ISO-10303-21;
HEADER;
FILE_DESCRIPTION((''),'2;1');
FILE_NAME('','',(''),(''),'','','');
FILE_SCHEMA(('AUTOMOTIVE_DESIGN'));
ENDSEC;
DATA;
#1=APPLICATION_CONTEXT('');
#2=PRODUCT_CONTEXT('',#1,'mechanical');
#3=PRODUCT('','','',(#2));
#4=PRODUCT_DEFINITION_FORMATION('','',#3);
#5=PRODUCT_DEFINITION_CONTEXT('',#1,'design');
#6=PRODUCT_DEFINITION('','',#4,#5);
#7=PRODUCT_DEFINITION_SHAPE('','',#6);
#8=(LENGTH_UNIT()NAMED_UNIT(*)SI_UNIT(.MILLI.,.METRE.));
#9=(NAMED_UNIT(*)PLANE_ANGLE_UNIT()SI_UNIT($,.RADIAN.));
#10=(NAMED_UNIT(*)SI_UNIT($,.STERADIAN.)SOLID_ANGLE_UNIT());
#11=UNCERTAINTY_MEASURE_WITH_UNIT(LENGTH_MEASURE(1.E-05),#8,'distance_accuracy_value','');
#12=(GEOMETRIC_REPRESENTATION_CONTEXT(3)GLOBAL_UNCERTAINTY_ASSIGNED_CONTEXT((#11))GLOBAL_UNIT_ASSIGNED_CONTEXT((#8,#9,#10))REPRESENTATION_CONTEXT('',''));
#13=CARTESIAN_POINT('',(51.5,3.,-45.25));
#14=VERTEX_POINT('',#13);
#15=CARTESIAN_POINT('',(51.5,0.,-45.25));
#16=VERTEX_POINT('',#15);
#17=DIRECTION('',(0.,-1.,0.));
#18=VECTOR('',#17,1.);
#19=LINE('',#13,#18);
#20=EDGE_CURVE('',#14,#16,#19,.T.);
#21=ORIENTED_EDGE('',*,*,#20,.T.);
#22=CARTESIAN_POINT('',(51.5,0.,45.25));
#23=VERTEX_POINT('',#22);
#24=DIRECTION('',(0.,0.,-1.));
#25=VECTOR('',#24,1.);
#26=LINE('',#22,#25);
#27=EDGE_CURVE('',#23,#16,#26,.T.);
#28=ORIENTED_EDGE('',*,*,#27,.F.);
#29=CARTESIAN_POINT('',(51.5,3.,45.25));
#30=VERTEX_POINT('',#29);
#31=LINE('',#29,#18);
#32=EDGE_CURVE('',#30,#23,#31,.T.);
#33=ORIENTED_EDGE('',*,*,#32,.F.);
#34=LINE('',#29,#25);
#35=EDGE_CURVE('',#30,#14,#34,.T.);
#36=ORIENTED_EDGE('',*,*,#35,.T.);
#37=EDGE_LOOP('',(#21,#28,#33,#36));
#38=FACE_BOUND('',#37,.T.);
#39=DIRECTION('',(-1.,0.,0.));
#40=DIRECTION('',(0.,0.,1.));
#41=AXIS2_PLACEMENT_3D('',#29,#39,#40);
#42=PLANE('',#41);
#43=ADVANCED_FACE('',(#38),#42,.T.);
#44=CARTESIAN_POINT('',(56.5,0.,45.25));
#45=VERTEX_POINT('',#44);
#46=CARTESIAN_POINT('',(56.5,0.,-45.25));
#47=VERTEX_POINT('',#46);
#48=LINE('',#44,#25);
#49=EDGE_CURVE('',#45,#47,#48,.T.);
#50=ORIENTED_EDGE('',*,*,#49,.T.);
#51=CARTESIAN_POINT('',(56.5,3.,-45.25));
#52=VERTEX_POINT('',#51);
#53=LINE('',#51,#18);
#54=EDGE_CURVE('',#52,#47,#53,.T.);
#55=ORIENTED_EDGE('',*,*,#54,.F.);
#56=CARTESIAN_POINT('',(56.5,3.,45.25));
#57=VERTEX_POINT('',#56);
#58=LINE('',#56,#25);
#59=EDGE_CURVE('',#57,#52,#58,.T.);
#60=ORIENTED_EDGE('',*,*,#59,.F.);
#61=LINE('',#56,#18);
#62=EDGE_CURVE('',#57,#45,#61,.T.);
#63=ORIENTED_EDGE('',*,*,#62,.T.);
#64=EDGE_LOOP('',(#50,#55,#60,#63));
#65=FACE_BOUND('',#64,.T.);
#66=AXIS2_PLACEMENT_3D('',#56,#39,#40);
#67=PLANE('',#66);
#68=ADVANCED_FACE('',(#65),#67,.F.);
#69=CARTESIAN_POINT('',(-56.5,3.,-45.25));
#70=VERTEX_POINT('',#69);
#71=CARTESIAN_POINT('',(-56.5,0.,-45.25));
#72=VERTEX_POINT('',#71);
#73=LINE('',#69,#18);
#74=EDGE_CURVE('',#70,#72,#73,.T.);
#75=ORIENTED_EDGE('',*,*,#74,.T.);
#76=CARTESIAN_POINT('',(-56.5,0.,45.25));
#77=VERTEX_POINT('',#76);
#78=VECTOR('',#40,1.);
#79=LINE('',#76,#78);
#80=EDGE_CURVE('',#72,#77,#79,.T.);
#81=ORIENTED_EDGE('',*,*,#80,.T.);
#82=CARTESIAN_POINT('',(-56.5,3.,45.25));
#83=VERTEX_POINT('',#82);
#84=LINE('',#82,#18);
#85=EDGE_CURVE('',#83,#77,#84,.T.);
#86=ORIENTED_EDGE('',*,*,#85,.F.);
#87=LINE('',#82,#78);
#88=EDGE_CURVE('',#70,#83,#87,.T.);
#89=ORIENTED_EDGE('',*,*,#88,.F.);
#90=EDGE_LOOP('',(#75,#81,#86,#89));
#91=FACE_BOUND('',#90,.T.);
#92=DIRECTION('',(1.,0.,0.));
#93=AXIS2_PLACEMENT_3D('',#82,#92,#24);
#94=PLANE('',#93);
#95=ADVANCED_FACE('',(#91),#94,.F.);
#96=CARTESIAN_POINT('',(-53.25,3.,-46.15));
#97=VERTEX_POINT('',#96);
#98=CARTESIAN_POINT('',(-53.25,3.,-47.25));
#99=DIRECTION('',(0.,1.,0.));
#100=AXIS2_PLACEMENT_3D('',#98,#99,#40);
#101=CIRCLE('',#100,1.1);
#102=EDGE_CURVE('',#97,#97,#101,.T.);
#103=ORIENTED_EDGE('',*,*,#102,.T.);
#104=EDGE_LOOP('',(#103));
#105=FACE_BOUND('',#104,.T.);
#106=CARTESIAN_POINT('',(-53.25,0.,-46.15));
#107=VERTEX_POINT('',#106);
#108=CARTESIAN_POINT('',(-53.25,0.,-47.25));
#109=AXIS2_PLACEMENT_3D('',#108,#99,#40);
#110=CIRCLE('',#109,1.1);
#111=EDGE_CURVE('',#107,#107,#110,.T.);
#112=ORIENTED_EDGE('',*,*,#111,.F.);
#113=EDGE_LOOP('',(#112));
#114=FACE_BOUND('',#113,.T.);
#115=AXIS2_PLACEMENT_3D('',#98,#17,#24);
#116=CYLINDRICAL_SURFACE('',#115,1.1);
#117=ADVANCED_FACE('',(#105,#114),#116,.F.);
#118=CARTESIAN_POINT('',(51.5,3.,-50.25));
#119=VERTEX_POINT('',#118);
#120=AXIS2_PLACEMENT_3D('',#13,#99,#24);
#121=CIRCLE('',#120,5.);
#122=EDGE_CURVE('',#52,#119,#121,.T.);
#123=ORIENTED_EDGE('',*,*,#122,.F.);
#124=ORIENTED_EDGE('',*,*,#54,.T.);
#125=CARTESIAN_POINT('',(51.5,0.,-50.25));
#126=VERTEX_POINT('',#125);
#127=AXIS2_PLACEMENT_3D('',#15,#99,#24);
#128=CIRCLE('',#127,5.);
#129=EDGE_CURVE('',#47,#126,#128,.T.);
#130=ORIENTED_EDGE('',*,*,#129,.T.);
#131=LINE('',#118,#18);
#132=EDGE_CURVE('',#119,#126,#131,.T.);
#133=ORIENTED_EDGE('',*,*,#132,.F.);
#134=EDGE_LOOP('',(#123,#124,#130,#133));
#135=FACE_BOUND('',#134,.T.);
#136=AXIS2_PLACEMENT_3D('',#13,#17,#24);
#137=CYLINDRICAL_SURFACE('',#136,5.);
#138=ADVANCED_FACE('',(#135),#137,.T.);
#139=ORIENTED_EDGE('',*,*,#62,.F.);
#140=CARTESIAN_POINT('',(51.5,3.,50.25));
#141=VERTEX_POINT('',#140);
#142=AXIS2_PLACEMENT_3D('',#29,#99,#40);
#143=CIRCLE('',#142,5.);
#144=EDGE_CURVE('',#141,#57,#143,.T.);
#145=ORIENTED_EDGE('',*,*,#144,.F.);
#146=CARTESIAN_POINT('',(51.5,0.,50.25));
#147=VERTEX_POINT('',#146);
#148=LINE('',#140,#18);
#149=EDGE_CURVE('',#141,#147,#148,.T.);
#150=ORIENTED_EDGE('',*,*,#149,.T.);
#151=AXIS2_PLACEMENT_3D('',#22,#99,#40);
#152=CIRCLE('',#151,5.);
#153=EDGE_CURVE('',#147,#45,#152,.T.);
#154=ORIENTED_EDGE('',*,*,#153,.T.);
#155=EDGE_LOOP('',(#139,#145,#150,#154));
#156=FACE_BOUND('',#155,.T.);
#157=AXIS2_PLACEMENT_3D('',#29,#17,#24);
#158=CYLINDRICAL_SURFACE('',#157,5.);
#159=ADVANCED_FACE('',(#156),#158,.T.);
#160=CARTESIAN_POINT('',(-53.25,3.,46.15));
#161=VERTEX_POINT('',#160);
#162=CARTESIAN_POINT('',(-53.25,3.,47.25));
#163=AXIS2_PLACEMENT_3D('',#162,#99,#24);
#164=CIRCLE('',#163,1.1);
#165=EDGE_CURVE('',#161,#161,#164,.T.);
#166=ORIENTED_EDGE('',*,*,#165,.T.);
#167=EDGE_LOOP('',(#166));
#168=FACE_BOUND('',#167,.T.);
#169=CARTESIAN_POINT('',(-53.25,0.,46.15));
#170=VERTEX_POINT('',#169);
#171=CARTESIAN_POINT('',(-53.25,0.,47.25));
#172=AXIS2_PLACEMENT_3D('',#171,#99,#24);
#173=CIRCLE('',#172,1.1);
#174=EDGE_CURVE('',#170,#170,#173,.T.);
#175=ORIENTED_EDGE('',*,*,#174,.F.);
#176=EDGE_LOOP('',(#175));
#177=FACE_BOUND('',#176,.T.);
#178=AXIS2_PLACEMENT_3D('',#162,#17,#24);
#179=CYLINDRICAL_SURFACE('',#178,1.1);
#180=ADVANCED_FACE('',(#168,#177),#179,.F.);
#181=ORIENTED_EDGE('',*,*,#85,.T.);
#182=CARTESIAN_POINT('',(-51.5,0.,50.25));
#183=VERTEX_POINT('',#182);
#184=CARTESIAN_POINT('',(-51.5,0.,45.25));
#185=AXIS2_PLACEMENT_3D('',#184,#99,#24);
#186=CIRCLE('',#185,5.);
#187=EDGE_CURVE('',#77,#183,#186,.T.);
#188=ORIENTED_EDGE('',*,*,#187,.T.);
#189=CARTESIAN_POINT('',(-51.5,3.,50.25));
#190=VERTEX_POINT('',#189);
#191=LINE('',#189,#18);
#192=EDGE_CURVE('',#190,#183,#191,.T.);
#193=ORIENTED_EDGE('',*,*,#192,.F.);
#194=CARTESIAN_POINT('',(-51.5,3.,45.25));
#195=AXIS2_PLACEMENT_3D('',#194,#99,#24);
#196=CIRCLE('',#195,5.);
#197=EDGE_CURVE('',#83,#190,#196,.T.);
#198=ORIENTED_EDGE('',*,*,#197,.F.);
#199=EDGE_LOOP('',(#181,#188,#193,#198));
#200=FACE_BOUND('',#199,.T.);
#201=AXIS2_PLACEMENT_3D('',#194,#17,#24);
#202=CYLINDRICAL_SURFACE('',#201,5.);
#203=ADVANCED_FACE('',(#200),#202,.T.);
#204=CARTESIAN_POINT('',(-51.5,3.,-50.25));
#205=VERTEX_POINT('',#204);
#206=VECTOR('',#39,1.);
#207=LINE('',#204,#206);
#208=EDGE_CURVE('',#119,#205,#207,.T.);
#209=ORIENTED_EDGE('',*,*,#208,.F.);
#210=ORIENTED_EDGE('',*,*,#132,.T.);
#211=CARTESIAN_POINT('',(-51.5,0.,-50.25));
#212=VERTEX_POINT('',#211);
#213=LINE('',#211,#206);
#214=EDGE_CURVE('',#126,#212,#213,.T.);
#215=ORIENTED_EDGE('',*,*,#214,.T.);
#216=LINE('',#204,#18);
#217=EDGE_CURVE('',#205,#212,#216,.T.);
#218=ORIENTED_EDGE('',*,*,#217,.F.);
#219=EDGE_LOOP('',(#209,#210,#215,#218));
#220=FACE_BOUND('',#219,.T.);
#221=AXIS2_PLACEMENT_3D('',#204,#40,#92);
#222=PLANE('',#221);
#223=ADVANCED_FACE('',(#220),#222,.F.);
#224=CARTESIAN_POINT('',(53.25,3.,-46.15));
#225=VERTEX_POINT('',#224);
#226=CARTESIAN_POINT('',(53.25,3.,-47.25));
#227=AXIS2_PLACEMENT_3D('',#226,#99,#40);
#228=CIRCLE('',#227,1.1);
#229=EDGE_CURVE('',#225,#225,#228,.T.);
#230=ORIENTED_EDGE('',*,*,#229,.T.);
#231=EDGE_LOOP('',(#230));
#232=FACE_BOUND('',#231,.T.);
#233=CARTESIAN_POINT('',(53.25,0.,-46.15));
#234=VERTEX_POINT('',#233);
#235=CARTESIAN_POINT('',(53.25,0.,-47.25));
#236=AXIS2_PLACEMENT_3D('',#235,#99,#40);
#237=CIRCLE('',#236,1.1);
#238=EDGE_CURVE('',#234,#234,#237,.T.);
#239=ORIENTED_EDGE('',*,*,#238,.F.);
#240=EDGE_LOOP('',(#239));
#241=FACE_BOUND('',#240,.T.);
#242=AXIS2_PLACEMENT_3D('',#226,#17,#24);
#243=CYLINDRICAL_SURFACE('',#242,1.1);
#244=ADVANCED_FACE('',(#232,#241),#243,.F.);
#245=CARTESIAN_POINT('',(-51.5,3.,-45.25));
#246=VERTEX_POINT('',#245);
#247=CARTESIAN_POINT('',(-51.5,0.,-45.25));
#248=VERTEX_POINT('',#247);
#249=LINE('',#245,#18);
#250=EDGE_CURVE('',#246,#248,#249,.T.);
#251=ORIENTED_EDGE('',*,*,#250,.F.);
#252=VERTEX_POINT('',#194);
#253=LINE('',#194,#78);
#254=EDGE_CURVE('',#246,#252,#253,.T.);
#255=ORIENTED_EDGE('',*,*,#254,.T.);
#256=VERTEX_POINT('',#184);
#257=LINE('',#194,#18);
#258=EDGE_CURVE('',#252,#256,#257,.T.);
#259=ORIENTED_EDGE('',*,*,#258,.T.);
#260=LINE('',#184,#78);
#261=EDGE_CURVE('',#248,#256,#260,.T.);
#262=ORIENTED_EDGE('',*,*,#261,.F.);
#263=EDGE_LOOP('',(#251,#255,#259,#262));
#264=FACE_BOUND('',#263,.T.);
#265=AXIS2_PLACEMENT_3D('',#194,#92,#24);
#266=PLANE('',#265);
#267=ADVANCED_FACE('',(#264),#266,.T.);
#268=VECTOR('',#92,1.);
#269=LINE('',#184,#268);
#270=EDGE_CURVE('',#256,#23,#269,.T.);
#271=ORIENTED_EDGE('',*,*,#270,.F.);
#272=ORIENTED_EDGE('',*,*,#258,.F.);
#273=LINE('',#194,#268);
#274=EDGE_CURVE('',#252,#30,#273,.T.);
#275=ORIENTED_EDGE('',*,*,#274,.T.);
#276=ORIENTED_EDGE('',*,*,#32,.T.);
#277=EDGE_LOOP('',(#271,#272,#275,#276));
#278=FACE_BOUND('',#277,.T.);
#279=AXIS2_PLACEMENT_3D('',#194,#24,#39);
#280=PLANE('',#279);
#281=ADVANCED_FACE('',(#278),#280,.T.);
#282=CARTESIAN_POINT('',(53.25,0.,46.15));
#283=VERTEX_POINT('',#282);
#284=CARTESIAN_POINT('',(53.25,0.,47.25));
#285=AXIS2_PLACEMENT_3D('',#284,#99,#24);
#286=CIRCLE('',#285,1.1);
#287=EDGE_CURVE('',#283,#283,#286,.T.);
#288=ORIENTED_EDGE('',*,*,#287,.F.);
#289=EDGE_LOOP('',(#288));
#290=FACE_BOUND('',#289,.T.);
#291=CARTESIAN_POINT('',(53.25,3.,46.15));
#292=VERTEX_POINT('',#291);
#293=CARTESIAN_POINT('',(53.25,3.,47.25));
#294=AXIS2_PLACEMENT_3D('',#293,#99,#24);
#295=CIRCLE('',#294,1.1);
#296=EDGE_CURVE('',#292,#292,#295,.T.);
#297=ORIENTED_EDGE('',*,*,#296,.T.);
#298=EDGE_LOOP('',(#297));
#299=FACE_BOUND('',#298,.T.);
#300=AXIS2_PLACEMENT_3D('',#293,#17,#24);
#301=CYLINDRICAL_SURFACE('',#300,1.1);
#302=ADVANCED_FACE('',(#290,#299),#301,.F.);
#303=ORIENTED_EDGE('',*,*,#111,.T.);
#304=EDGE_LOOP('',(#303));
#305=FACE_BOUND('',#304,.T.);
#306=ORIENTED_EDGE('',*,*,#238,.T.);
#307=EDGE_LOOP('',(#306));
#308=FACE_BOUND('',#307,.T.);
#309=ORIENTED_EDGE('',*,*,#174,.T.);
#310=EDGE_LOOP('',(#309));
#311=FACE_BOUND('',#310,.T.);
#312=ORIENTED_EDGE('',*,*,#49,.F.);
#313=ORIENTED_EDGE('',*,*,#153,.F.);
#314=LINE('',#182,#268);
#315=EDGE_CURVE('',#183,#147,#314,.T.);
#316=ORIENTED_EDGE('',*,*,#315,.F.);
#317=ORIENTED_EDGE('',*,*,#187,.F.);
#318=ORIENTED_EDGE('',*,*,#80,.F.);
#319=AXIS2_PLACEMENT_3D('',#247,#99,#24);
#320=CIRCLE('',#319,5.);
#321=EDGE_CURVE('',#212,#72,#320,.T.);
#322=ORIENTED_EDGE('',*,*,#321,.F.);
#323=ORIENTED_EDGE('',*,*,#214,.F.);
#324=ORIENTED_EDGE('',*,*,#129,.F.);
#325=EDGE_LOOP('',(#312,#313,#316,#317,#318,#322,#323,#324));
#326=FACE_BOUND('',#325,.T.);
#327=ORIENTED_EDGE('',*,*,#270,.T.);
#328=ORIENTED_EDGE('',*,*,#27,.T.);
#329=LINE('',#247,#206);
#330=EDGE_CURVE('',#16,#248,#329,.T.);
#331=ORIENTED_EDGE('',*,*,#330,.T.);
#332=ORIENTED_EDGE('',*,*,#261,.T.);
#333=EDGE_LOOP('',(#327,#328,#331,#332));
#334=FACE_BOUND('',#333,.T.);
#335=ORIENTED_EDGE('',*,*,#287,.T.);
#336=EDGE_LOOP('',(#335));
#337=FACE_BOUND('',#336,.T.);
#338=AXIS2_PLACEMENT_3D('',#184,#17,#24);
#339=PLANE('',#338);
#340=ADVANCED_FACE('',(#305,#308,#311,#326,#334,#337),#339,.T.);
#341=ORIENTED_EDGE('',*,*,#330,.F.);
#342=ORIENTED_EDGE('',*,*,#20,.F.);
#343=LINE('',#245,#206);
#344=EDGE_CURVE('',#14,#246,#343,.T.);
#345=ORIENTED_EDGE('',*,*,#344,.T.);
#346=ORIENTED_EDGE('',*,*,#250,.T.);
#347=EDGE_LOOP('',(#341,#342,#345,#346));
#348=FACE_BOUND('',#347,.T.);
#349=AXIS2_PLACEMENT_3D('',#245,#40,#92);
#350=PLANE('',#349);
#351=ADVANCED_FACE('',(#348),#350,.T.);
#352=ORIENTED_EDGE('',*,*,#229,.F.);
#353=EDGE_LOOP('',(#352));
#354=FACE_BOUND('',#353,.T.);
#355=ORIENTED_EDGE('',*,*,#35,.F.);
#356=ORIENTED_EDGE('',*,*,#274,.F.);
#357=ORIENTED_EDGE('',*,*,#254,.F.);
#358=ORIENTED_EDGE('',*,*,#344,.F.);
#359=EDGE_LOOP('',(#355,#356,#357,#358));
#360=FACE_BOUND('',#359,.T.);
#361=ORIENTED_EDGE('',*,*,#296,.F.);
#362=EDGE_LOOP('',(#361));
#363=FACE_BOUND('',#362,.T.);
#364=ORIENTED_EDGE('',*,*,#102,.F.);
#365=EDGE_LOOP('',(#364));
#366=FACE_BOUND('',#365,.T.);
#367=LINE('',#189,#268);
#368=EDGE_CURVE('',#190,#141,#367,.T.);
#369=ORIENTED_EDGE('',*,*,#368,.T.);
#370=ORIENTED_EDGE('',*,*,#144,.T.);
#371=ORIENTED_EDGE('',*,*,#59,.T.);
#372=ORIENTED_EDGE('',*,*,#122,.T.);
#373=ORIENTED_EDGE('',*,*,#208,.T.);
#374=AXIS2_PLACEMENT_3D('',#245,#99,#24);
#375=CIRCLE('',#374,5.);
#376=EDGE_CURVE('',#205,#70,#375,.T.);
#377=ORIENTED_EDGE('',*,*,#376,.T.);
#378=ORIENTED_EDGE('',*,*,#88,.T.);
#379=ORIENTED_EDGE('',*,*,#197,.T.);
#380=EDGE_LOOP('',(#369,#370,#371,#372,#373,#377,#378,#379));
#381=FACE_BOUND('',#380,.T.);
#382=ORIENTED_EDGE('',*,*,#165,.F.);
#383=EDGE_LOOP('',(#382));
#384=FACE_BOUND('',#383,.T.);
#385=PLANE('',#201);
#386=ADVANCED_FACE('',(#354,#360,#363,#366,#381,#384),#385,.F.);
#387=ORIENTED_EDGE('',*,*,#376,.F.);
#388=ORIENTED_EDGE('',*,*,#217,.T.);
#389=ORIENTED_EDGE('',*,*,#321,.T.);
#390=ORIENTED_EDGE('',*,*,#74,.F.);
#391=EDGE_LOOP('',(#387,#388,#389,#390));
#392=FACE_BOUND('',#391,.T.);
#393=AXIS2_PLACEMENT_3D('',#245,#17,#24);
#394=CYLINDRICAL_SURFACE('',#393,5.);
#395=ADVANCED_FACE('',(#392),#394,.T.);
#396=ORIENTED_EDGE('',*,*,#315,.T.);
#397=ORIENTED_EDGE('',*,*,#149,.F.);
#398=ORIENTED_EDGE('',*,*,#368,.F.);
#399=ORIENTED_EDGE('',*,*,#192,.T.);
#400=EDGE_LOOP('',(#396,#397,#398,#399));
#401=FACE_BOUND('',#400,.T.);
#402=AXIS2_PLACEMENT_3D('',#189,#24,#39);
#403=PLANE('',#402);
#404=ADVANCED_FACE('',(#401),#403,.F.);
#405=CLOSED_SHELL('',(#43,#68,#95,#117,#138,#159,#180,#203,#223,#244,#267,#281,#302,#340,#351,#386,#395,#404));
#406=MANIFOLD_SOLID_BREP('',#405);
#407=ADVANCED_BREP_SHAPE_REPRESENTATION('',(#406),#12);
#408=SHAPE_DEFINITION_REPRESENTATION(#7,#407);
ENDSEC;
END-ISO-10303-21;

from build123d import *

# Parameters (mm, degrees)
SKETCH1_R           = 1.1
SKETCH1_W           = 103
SKETCH1_H           = 90.5
BOSS_EXTRUDE1_DEPTH = 3


with BuildPart() as part:
    # Sketch1 → Boss-Extrude1 (new body)
    with BuildSketch(Plane(origin=(0, 0, 0), x_dir=(1, 0, 0), z_dir=(0, 1, 0))):
        with BuildLine():
            Line((-51.5, -50.25), (51.5, -50.25))
            ThreePointArc((51.5, -50.25), (55.035533906, -48.785533906), (56.5, -45.25))
            Line((56.5, -45.25), (56.5, 45.25))
            ThreePointArc((56.5, 45.25), (55.035533906, 48.785533906), (51.5, 50.25))
            Line((51.5, 50.25), (-51.5, 50.25))
            ThreePointArc((-51.5, 50.25), (-55.035533906, 48.785533906), (-56.5, 45.25))
            Line((-56.5, 45.25), (-56.5, -45.25))
            ThreePointArc((-56.5, -45.25), (-55.035533906, -48.785533906), (-51.5, -50.25))
        make_face()
        with Locations((-53.25, 47.25)):
            Circle(SKETCH1_R, mode=Mode.SUBTRACT)
        with Locations((53.25, 47.25)):
            Circle(SKETCH1_R, mode=Mode.SUBTRACT)
        with Locations((53.25, -47.25)):
            Circle(SKETCH1_R, mode=Mode.SUBTRACT)
        with Locations((-53.25, -47.25)):
            Circle(SKETCH1_R, mode=Mode.SUBTRACT)
        Rectangle(SKETCH1_W, SKETCH1_H, mode=Mode.SUBTRACT)
    extrude(amount=BOSS_EXTRUDE1_DEPTH)


solid = part.part
